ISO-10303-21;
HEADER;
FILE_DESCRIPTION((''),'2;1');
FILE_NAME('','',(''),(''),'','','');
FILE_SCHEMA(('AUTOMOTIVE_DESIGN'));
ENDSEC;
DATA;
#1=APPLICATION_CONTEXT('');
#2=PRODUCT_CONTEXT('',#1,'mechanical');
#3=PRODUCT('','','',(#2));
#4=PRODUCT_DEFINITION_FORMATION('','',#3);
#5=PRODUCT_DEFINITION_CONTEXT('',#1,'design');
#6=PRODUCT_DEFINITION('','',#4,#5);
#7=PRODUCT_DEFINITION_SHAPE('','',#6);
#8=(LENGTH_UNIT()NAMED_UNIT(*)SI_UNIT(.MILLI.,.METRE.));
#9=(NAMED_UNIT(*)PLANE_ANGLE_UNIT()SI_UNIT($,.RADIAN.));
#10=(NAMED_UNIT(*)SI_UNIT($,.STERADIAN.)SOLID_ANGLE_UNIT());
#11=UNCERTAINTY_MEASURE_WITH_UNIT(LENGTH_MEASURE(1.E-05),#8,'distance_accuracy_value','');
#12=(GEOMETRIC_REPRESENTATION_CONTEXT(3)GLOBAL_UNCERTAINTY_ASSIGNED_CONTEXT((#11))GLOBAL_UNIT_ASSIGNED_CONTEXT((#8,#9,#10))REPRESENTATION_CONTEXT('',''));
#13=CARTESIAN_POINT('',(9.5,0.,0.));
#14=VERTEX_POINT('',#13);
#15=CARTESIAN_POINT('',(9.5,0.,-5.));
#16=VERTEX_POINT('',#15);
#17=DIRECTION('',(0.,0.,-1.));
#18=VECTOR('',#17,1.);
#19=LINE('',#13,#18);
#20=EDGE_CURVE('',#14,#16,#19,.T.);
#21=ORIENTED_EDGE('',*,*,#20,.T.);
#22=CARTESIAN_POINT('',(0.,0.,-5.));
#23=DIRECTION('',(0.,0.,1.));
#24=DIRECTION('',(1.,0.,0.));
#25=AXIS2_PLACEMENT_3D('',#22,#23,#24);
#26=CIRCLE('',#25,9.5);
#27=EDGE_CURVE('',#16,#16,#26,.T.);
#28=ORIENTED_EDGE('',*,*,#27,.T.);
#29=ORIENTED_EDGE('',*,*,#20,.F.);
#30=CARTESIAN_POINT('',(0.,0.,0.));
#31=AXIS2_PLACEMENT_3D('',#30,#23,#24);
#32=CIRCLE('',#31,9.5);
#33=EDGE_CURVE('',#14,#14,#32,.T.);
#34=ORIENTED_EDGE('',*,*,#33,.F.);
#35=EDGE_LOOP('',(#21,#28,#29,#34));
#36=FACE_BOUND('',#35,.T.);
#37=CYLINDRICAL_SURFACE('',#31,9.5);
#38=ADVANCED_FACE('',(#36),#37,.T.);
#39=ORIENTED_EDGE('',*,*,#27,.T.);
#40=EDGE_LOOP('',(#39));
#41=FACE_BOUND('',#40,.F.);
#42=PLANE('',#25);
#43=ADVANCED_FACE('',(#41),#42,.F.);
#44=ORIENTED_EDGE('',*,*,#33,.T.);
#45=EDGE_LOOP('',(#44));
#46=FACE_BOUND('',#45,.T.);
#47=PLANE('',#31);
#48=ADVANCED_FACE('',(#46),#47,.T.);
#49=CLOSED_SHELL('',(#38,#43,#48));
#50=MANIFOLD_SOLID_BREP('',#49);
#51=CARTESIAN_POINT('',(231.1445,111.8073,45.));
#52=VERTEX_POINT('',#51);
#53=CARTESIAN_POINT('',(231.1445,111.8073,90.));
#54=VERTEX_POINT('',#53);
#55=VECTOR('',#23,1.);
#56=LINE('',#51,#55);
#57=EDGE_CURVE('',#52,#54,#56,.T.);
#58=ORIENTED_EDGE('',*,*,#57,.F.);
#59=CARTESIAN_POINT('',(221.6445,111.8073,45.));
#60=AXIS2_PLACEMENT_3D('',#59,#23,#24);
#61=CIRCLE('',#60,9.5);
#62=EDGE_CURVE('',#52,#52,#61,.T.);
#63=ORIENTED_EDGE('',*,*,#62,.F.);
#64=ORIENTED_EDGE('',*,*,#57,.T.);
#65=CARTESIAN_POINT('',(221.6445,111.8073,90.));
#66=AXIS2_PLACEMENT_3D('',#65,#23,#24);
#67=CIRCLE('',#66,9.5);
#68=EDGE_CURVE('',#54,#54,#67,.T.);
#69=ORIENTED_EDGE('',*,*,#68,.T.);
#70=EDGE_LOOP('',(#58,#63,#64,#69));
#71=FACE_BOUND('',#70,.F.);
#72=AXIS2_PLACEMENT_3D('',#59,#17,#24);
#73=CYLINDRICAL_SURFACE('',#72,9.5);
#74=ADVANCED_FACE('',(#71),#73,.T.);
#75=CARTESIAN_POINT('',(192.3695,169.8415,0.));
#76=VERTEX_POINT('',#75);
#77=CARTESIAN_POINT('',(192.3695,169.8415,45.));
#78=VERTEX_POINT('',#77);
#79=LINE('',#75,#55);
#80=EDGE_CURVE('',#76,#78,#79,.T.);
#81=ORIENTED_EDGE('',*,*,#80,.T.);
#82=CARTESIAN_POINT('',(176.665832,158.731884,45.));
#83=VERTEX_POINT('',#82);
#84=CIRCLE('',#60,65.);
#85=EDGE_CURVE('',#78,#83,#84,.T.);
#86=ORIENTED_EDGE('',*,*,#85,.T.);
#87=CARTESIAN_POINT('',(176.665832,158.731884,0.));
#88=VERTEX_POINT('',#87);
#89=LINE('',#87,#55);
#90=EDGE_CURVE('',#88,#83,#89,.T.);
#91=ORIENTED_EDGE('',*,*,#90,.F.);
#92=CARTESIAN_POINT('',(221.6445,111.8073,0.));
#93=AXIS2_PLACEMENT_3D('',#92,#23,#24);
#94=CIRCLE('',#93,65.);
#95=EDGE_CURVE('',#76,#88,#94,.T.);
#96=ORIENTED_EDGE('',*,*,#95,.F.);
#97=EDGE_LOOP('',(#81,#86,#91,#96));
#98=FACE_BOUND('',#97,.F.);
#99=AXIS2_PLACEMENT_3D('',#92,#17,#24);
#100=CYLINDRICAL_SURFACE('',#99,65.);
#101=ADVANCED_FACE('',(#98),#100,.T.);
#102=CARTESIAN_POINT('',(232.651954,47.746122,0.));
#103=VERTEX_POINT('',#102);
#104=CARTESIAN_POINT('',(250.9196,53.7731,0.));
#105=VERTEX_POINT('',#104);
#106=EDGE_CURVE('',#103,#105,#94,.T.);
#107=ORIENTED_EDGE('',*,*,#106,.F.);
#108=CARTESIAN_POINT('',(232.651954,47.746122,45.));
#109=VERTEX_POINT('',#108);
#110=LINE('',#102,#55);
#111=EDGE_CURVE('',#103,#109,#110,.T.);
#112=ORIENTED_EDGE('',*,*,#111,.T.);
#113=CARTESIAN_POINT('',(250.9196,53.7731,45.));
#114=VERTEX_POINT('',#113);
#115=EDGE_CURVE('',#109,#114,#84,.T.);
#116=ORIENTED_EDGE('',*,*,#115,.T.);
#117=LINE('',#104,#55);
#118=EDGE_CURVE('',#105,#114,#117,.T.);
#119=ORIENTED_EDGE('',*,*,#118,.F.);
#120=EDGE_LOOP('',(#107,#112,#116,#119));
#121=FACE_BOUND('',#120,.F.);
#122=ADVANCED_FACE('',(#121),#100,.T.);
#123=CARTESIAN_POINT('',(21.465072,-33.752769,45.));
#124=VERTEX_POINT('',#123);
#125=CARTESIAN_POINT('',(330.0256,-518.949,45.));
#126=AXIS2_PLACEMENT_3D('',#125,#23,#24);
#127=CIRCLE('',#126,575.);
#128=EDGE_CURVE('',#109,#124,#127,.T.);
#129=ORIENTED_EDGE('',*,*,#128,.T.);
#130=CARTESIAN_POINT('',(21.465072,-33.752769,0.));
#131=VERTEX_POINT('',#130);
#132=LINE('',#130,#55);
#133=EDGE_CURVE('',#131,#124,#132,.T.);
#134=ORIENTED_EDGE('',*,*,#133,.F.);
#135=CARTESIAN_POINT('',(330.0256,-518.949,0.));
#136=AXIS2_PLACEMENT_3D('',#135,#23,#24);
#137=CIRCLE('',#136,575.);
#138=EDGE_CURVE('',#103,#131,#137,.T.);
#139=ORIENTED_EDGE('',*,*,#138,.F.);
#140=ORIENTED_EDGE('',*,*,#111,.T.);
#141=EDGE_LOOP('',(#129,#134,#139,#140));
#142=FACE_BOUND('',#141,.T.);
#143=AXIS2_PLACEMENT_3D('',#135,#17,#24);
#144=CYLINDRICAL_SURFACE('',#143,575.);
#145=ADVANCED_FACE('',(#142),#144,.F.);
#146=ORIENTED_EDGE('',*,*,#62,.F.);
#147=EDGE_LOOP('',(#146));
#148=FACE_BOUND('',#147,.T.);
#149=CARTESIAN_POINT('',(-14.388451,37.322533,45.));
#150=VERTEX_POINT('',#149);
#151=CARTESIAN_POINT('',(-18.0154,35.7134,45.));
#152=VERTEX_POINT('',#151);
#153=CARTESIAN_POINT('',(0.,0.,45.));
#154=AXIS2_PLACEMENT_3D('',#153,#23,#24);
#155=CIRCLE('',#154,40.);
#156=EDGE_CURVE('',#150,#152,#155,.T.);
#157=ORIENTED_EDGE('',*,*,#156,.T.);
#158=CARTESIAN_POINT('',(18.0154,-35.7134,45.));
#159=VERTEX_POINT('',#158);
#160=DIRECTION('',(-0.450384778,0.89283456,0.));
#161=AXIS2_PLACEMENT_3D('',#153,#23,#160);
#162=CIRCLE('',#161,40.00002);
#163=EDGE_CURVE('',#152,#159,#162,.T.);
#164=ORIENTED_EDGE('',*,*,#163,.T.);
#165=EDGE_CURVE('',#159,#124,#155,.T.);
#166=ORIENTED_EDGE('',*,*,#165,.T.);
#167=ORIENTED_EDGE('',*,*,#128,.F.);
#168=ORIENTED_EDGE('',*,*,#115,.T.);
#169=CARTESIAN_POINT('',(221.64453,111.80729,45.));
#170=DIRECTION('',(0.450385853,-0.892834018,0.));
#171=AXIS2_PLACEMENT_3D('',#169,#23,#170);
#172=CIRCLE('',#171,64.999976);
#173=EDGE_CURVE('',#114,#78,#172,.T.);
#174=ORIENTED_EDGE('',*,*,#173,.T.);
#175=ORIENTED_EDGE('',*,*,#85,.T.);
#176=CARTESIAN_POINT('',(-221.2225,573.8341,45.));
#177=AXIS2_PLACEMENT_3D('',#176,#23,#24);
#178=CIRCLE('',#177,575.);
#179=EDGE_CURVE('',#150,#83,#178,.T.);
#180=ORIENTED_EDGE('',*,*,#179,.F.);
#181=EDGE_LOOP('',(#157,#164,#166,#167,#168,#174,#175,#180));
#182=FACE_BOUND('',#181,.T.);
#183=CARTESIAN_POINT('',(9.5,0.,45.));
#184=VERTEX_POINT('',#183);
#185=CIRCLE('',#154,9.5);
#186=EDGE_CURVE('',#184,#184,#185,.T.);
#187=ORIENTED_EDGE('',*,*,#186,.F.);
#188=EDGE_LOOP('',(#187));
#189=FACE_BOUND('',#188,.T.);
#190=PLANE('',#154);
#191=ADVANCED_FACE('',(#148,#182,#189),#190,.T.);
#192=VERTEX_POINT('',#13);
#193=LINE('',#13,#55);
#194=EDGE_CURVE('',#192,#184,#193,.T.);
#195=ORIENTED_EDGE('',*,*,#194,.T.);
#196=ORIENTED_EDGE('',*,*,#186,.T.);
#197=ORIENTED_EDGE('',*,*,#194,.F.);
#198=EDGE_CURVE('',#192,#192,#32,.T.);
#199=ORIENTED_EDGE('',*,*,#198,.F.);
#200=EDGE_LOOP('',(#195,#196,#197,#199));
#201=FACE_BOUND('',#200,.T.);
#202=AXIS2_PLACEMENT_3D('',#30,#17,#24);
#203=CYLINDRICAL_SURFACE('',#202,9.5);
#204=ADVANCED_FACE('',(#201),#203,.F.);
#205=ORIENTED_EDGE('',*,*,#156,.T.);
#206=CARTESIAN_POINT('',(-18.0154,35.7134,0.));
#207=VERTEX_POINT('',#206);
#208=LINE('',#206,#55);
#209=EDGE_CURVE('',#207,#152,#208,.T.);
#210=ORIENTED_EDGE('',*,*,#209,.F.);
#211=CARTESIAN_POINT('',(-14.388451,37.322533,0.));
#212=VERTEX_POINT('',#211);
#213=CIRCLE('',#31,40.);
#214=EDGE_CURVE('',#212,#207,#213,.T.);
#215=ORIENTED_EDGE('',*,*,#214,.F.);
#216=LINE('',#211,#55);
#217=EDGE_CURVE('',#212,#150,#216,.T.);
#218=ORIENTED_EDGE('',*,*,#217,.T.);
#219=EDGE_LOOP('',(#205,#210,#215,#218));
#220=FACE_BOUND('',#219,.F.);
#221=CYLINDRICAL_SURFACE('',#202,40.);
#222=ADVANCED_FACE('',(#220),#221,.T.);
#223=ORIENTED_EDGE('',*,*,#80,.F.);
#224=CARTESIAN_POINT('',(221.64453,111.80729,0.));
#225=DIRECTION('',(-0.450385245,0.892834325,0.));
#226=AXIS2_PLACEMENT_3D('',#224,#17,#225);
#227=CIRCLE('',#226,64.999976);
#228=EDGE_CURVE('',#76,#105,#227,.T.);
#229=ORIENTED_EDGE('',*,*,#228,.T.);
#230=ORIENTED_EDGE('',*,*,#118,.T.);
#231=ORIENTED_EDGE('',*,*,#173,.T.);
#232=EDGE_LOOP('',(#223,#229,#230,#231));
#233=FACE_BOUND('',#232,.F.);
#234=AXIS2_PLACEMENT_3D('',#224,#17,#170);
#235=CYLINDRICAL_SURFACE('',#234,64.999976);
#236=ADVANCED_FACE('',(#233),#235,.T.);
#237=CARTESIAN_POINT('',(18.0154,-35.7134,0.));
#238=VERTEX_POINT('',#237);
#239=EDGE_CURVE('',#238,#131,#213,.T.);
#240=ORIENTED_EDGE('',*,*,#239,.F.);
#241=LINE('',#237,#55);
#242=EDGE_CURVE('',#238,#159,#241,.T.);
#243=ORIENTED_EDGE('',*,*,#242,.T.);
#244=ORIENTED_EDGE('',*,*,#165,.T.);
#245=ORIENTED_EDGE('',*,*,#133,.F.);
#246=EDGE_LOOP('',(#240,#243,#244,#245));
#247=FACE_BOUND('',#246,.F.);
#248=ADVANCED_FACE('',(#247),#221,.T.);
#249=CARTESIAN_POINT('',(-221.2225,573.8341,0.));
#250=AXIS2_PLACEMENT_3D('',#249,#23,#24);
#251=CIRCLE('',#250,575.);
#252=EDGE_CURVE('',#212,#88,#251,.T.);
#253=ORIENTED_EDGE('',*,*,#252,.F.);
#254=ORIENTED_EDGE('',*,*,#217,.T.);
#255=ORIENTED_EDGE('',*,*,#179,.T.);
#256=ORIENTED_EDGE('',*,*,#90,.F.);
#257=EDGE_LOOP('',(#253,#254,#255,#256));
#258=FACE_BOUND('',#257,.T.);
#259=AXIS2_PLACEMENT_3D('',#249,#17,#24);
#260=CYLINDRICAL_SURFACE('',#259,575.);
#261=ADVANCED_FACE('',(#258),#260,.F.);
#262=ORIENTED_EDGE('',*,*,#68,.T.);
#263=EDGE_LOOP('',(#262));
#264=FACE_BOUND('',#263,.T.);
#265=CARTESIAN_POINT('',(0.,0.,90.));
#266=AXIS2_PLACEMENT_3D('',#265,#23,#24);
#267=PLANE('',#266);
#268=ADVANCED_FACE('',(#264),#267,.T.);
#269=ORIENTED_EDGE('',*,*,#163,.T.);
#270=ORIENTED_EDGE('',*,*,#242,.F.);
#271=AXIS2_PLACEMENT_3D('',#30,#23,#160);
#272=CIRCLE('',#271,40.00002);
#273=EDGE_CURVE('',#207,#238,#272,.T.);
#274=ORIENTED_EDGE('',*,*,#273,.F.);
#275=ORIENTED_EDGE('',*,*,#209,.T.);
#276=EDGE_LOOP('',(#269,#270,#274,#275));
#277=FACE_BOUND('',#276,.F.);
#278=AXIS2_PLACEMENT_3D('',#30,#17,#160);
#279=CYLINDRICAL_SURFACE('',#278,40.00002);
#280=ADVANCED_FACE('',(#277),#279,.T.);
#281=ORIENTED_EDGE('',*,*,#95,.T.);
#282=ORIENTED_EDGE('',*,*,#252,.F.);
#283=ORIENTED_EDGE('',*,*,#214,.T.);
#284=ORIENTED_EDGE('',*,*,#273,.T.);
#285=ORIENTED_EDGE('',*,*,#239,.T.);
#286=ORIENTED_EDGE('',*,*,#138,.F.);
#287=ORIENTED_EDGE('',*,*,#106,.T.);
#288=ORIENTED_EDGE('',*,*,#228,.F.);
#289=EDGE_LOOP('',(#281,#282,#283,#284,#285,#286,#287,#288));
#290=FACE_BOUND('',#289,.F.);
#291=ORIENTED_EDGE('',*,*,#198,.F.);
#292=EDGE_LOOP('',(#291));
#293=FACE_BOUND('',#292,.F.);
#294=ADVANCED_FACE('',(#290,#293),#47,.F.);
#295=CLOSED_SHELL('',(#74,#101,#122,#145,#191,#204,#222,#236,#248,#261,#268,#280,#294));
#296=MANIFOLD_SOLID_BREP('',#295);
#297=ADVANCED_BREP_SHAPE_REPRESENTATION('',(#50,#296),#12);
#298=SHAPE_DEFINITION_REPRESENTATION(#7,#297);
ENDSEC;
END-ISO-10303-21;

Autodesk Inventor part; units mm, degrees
ref_plane "YZ Plane" through (0, 0, 0) normal (1, 0, 0) x (0, 1, 0)
ref_plane "XZ Plane" through (0, 0, 0) normal (0, 1, 0) x (-1, 0, 0)
ref_plane "XY Plane" through (0, 0, 0) normal (0, 0, 1) x (1, 0, 0)
sketch "Эскиз1" plane through (0, 0, 0) normal (0, 0, 1) x (1, 0, 0)
  point P0 (0, 0)
sketch "Эскиз2" plane through (0, 0, 0) normal (0, 0, 1) x (1, 0, 0)
  circle A0 centre (0, 0) radius 9.5
  dimension "d0" = 19
extrude "Выдавливание1" add sketch "Эскиз2" against normal blind 5
sketch "Эскиз3" plane through (0, 0, 0) normal (0, 0, 1) x (1, 0, 0)
  circle A0 centre (0, 0) radius 40
  circle A1 centre (0, 0) radius 9.5 projected
  line L0 (0, 0) -> (221.6445, 111.8073) construction
  arc A2 (-18.0154, 35.7134) -> (18.0154, -35.7134) centre (0, 0) ccw
  arc A3 (250.9196, 53.7731) -> (192.3695, 169.8415) centre (221.6445, 111.8073) ccw
  circle A4 centre (221.6445, 111.8073) radius 65
  circle A5 centre (330.0256, -518.949) radius 575
  circle A6 centre (-221.2225, 573.8341) radius 575
  circle A7 centre (221.6445, 111.8073) radius 10 projected
  point P0 (110.8223, 55.9037)
  point P1 (-14.3885, 37.3225)
  point P2 (21.4651, -33.7528)
  point P3 (232.652, 47.7461)
  point P4 (250.9196, 53.7731)
  point P5 (192.3695, 169.8415)
  point P6 (176.6659, 158.7319)
  dimension "d3" = 80
  dimension "d4" = 1150
  dimension "d10" = 65
extrude "Выдавливание2" add sketch "Эскиз3" along normal blind 45 contours A0 | A6 A4 A5 A0 | A4 A3 | A7
sketch "Эскиз4" plane through (0, 0, 45) normal (0, 0, 1) x (1, 0, 0)
  point P0 (0, 0)
sketch "Эскиз5" plane through (0, 0, 45) normal (0, 0, 1) x (1, 0, 0)
  arc A0 (232.652, 47.7461) -> (176.6659, 158.7319) centre (221.6445, 111.8073) ccw projected
  circle A1 centre (221.6445, 111.8073) radius 9.5
  point P0 (0, 0)
  dimension "d7" = 19
extrude "Выдавливание3" add sketch "Эскиз5" along normal blind 45
properties part number "Нога"
